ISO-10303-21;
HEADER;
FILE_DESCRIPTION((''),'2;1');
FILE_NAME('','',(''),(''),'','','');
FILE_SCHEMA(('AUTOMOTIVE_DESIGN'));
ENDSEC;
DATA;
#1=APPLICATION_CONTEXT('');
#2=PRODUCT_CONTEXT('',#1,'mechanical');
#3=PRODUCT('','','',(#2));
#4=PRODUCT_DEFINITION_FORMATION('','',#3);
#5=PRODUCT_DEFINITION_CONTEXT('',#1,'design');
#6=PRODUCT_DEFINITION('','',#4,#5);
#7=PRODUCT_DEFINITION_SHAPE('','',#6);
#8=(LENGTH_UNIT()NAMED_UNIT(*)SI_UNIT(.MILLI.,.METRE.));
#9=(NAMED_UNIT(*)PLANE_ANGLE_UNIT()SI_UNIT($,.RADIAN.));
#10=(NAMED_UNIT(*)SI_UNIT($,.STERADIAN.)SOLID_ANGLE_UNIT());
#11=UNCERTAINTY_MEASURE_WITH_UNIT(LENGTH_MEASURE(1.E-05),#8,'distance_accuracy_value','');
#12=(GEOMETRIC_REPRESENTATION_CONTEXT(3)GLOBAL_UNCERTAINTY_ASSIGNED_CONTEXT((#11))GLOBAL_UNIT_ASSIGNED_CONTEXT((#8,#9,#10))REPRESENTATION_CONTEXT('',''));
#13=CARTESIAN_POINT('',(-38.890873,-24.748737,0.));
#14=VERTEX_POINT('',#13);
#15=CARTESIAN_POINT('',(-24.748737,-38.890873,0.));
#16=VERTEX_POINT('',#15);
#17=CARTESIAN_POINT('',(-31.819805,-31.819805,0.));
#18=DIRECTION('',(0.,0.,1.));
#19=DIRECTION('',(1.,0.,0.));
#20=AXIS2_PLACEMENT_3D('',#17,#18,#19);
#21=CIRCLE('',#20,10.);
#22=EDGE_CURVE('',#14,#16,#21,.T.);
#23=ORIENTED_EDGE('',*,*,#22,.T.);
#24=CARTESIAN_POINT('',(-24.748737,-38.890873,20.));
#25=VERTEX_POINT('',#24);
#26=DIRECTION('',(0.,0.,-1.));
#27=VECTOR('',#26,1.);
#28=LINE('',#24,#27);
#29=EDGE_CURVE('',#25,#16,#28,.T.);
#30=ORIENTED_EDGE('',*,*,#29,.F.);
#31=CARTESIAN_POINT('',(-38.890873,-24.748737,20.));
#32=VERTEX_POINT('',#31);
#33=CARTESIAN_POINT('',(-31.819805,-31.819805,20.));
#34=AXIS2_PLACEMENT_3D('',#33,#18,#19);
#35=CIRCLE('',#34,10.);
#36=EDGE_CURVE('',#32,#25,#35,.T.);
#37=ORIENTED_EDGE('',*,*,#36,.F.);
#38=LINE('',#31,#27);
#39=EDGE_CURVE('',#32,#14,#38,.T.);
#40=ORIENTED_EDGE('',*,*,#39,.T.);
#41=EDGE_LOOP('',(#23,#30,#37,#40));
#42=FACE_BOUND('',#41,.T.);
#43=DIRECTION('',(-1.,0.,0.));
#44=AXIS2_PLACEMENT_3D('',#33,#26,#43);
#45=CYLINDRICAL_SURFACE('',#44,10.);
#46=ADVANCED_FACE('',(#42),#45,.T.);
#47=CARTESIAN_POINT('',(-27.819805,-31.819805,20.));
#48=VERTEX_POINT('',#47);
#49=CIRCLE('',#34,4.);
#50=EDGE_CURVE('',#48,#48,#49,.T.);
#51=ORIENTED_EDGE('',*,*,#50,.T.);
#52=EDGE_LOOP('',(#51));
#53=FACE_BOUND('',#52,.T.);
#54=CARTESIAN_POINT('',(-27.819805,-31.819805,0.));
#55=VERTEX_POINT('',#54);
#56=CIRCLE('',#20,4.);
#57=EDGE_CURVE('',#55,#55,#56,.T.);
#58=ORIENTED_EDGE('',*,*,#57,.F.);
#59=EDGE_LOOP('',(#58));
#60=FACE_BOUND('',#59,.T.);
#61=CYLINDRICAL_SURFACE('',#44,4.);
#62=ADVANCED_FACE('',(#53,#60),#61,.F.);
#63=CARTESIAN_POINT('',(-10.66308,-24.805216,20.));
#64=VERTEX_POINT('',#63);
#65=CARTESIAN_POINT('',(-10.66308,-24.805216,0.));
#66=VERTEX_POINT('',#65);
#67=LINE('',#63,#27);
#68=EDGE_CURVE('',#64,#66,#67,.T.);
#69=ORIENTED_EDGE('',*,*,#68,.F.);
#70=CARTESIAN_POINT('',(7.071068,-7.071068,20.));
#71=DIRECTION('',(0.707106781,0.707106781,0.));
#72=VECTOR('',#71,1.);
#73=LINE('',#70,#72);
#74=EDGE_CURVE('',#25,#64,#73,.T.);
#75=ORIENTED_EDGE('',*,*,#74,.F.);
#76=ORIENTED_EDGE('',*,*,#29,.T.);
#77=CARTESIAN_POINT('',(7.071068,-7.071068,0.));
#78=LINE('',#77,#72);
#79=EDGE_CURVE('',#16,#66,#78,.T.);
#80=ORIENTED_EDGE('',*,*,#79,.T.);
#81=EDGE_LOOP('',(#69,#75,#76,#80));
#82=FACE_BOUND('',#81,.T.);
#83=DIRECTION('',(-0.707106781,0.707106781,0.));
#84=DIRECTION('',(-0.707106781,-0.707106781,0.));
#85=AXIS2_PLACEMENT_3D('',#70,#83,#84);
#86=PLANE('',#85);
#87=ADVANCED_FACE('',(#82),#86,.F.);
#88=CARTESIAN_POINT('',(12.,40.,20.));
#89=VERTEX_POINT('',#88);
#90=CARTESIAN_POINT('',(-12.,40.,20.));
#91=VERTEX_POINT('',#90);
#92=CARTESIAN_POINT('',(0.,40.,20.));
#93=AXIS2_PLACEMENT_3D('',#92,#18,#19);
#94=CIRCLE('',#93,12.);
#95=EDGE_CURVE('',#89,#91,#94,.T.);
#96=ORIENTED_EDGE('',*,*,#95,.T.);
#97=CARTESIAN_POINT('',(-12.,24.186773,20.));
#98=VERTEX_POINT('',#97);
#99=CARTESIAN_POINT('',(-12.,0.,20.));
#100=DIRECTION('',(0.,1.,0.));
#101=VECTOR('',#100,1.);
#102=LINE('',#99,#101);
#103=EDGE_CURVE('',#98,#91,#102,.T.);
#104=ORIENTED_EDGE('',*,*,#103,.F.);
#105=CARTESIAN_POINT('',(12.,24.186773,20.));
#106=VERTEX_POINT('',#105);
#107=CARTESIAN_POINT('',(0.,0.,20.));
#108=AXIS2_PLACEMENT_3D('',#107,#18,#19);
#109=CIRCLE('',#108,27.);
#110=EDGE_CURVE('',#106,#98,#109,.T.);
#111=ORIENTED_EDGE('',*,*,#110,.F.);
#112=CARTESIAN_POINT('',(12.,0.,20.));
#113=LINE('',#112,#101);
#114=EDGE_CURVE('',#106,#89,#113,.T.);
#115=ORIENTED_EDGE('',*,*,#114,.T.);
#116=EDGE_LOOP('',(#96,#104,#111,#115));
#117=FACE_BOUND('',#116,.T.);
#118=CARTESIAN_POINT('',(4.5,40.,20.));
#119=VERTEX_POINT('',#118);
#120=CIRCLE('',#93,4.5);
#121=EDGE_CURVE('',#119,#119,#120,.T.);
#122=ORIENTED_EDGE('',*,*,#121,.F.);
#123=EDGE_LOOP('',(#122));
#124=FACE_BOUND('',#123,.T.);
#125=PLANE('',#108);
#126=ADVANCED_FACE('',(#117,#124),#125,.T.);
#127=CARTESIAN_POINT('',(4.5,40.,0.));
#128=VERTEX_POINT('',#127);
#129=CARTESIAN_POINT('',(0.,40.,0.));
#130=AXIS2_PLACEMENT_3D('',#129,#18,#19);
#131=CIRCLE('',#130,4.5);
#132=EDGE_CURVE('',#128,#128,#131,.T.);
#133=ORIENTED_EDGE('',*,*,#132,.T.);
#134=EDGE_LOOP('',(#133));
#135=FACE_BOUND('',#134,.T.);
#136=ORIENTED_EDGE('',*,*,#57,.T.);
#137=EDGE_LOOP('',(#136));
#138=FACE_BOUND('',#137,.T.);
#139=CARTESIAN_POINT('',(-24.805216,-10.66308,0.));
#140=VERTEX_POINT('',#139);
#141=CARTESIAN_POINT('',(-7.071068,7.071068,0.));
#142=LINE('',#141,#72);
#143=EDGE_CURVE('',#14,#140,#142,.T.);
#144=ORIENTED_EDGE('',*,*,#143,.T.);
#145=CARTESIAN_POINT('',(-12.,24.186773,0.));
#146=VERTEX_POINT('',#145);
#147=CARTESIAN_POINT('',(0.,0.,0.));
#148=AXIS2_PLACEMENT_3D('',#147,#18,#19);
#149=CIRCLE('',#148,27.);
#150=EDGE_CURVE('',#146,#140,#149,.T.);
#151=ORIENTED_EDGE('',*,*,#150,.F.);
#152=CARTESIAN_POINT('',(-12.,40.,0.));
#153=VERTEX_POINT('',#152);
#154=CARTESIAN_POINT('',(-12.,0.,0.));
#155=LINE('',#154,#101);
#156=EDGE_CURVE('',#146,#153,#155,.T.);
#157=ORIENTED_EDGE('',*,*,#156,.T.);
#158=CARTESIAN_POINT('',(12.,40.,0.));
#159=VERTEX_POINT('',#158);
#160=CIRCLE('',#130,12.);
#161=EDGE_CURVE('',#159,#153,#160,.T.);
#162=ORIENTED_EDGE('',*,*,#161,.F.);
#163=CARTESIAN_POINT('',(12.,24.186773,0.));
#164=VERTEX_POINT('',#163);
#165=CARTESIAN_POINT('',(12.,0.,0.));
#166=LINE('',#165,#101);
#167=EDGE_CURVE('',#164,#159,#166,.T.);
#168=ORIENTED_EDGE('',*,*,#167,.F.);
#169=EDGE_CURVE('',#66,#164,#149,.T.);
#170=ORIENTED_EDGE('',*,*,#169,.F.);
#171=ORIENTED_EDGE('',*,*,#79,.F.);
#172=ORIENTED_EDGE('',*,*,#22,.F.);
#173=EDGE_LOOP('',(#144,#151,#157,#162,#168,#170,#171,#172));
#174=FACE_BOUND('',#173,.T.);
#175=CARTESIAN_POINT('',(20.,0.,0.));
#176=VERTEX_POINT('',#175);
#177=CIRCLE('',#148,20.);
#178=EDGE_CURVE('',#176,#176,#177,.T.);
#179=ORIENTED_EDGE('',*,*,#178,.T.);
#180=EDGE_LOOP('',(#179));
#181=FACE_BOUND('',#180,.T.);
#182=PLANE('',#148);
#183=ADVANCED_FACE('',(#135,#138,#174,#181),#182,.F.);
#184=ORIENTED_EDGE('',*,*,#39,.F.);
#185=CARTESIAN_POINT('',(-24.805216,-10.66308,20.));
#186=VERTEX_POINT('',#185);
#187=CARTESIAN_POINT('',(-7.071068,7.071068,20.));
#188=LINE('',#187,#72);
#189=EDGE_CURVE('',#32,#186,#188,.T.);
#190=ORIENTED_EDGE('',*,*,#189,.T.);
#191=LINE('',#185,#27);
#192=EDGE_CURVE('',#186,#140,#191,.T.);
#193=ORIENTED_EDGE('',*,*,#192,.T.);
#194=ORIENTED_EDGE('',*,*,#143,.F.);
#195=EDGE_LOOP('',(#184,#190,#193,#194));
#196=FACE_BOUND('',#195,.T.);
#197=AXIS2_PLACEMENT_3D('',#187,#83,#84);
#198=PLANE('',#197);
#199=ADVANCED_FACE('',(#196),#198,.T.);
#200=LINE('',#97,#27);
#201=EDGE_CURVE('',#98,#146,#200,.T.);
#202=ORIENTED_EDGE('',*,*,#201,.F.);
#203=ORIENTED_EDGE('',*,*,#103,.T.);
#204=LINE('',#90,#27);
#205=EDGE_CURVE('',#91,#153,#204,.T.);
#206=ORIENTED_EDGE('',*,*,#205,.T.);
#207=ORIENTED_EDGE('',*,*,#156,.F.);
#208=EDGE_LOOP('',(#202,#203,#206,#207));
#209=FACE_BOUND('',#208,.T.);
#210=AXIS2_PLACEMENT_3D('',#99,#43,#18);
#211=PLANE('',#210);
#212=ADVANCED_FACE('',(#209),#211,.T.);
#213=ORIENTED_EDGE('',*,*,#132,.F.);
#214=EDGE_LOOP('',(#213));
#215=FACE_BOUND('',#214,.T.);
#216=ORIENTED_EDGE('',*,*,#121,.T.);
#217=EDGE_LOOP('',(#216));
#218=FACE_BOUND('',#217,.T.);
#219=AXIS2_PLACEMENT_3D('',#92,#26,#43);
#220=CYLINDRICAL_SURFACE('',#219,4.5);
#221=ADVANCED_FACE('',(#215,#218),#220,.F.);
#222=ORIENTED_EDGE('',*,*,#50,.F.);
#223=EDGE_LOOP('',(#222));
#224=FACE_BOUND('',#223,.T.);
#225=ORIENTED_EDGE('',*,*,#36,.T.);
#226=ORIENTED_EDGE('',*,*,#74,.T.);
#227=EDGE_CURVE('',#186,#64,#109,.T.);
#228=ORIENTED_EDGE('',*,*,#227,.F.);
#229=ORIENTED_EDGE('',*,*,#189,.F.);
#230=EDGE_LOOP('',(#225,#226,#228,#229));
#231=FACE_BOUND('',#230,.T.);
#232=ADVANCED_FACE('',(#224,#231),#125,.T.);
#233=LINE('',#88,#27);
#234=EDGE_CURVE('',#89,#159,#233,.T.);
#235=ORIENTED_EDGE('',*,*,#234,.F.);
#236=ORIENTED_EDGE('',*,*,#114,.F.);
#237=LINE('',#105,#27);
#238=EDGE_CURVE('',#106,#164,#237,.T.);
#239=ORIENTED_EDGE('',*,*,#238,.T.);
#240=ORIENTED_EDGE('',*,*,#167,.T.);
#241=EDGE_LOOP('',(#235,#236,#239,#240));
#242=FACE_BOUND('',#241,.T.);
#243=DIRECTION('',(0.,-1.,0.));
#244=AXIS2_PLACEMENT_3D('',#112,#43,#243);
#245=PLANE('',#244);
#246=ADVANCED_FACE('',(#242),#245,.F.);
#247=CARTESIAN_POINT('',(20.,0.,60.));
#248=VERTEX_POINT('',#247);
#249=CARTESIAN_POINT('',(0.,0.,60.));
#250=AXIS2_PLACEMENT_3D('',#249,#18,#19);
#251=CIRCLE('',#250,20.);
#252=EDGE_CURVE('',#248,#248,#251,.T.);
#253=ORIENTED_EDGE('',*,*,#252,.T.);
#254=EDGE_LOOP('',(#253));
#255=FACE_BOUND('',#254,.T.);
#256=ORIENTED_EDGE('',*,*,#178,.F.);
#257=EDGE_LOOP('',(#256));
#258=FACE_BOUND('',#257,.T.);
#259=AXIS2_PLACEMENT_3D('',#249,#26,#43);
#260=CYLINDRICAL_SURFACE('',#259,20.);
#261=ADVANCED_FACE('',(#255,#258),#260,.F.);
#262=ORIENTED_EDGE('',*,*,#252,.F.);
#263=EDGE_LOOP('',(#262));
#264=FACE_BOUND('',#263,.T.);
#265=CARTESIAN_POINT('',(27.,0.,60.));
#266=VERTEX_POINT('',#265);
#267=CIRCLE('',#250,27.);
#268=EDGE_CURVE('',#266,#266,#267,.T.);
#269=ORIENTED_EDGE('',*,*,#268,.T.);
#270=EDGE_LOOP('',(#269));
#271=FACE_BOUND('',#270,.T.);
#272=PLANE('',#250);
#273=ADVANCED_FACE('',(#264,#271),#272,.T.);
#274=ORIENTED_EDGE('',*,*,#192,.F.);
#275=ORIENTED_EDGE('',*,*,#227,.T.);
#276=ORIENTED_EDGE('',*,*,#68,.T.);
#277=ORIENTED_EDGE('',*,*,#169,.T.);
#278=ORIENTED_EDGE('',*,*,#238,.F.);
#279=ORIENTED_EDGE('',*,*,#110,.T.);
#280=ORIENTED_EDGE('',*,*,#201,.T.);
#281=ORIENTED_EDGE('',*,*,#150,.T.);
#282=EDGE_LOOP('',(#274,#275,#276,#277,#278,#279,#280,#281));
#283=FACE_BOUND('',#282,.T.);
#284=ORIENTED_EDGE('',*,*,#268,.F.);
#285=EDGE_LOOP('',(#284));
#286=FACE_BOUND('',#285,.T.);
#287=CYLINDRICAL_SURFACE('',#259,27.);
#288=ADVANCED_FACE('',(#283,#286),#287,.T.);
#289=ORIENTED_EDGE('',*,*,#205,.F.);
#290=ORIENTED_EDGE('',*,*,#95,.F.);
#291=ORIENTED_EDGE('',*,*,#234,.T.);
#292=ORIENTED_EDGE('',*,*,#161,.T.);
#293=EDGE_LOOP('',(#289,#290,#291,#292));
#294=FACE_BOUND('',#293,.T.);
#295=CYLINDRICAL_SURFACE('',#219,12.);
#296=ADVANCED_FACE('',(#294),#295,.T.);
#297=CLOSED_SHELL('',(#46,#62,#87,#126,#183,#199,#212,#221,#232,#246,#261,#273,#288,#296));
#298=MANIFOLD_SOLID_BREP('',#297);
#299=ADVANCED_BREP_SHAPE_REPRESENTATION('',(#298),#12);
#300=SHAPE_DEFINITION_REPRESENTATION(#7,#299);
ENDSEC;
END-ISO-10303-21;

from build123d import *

# Parameters (mm, degrees)
SKETCH_1_R      = 27
SKETCH_1_R_2    = 20
EXTRUDE_1_DEPTH = 60
SKETCH_1_5_R    = 4.5
SKETCH_1_5_R_2  = 4
EXTRUDE_2_DEPTH = 20


with BuildPart() as part:
    # Эскиз1 → Бобышка-Вытянуть1 (new body)
    with BuildSketch(Plane.XY):
        Circle(SKETCH_1_R)
        Circle(SKETCH_1_R_2, mode=Mode.SUBTRACT)
    extrude(amount=EXTRUDE_1_DEPTH)

    # Эскиз1<5> → Бобышка-Вытянуть2 (add)
    # profile 1 of 2: a face of its own
    with BuildSketch(Plane.XY):
        with BuildLine():
            ThreePointArc((-12, 24.186773245), (0, 27), (12, 24.186773245))
            Line((12, 24.186773245), (12, 40))
            ThreePointArc((12, 40), (0, 52), (-12, 40))
            Line((-12, 40), (-12, 24.186773245))
        make_face()
        with Locations((0, 40)):
            Circle(SKETCH_1_5_R, mode=Mode.SUBTRACT)
    # profile 2 of 2: a face of its own
    with BuildSketch(Plane.XY):
        with BuildLine():
            ThreePointArc((-10.663080039, -24.805215663), (-19.091883092, -19.091883092), (-24.805215663, -10.663080039))
            Line((-24.805215663, -10.663080039), (-38.890872965, -24.748737342))
            ThreePointArc((-38.890872965, -24.748737342), (-38.890872965, -38.890872965), (-24.748737342, -38.890872965))
            Line((-24.748737342, -38.890872965), (-10.663080039, -24.805215663))
        make_face()
        with Locations((-31.819805153, -31.819805153)):
            Circle(SKETCH_1_5_R_2, mode=Mode.SUBTRACT)
    extrude(amount=EXTRUDE_2_DEPTH)


solid = part.part
